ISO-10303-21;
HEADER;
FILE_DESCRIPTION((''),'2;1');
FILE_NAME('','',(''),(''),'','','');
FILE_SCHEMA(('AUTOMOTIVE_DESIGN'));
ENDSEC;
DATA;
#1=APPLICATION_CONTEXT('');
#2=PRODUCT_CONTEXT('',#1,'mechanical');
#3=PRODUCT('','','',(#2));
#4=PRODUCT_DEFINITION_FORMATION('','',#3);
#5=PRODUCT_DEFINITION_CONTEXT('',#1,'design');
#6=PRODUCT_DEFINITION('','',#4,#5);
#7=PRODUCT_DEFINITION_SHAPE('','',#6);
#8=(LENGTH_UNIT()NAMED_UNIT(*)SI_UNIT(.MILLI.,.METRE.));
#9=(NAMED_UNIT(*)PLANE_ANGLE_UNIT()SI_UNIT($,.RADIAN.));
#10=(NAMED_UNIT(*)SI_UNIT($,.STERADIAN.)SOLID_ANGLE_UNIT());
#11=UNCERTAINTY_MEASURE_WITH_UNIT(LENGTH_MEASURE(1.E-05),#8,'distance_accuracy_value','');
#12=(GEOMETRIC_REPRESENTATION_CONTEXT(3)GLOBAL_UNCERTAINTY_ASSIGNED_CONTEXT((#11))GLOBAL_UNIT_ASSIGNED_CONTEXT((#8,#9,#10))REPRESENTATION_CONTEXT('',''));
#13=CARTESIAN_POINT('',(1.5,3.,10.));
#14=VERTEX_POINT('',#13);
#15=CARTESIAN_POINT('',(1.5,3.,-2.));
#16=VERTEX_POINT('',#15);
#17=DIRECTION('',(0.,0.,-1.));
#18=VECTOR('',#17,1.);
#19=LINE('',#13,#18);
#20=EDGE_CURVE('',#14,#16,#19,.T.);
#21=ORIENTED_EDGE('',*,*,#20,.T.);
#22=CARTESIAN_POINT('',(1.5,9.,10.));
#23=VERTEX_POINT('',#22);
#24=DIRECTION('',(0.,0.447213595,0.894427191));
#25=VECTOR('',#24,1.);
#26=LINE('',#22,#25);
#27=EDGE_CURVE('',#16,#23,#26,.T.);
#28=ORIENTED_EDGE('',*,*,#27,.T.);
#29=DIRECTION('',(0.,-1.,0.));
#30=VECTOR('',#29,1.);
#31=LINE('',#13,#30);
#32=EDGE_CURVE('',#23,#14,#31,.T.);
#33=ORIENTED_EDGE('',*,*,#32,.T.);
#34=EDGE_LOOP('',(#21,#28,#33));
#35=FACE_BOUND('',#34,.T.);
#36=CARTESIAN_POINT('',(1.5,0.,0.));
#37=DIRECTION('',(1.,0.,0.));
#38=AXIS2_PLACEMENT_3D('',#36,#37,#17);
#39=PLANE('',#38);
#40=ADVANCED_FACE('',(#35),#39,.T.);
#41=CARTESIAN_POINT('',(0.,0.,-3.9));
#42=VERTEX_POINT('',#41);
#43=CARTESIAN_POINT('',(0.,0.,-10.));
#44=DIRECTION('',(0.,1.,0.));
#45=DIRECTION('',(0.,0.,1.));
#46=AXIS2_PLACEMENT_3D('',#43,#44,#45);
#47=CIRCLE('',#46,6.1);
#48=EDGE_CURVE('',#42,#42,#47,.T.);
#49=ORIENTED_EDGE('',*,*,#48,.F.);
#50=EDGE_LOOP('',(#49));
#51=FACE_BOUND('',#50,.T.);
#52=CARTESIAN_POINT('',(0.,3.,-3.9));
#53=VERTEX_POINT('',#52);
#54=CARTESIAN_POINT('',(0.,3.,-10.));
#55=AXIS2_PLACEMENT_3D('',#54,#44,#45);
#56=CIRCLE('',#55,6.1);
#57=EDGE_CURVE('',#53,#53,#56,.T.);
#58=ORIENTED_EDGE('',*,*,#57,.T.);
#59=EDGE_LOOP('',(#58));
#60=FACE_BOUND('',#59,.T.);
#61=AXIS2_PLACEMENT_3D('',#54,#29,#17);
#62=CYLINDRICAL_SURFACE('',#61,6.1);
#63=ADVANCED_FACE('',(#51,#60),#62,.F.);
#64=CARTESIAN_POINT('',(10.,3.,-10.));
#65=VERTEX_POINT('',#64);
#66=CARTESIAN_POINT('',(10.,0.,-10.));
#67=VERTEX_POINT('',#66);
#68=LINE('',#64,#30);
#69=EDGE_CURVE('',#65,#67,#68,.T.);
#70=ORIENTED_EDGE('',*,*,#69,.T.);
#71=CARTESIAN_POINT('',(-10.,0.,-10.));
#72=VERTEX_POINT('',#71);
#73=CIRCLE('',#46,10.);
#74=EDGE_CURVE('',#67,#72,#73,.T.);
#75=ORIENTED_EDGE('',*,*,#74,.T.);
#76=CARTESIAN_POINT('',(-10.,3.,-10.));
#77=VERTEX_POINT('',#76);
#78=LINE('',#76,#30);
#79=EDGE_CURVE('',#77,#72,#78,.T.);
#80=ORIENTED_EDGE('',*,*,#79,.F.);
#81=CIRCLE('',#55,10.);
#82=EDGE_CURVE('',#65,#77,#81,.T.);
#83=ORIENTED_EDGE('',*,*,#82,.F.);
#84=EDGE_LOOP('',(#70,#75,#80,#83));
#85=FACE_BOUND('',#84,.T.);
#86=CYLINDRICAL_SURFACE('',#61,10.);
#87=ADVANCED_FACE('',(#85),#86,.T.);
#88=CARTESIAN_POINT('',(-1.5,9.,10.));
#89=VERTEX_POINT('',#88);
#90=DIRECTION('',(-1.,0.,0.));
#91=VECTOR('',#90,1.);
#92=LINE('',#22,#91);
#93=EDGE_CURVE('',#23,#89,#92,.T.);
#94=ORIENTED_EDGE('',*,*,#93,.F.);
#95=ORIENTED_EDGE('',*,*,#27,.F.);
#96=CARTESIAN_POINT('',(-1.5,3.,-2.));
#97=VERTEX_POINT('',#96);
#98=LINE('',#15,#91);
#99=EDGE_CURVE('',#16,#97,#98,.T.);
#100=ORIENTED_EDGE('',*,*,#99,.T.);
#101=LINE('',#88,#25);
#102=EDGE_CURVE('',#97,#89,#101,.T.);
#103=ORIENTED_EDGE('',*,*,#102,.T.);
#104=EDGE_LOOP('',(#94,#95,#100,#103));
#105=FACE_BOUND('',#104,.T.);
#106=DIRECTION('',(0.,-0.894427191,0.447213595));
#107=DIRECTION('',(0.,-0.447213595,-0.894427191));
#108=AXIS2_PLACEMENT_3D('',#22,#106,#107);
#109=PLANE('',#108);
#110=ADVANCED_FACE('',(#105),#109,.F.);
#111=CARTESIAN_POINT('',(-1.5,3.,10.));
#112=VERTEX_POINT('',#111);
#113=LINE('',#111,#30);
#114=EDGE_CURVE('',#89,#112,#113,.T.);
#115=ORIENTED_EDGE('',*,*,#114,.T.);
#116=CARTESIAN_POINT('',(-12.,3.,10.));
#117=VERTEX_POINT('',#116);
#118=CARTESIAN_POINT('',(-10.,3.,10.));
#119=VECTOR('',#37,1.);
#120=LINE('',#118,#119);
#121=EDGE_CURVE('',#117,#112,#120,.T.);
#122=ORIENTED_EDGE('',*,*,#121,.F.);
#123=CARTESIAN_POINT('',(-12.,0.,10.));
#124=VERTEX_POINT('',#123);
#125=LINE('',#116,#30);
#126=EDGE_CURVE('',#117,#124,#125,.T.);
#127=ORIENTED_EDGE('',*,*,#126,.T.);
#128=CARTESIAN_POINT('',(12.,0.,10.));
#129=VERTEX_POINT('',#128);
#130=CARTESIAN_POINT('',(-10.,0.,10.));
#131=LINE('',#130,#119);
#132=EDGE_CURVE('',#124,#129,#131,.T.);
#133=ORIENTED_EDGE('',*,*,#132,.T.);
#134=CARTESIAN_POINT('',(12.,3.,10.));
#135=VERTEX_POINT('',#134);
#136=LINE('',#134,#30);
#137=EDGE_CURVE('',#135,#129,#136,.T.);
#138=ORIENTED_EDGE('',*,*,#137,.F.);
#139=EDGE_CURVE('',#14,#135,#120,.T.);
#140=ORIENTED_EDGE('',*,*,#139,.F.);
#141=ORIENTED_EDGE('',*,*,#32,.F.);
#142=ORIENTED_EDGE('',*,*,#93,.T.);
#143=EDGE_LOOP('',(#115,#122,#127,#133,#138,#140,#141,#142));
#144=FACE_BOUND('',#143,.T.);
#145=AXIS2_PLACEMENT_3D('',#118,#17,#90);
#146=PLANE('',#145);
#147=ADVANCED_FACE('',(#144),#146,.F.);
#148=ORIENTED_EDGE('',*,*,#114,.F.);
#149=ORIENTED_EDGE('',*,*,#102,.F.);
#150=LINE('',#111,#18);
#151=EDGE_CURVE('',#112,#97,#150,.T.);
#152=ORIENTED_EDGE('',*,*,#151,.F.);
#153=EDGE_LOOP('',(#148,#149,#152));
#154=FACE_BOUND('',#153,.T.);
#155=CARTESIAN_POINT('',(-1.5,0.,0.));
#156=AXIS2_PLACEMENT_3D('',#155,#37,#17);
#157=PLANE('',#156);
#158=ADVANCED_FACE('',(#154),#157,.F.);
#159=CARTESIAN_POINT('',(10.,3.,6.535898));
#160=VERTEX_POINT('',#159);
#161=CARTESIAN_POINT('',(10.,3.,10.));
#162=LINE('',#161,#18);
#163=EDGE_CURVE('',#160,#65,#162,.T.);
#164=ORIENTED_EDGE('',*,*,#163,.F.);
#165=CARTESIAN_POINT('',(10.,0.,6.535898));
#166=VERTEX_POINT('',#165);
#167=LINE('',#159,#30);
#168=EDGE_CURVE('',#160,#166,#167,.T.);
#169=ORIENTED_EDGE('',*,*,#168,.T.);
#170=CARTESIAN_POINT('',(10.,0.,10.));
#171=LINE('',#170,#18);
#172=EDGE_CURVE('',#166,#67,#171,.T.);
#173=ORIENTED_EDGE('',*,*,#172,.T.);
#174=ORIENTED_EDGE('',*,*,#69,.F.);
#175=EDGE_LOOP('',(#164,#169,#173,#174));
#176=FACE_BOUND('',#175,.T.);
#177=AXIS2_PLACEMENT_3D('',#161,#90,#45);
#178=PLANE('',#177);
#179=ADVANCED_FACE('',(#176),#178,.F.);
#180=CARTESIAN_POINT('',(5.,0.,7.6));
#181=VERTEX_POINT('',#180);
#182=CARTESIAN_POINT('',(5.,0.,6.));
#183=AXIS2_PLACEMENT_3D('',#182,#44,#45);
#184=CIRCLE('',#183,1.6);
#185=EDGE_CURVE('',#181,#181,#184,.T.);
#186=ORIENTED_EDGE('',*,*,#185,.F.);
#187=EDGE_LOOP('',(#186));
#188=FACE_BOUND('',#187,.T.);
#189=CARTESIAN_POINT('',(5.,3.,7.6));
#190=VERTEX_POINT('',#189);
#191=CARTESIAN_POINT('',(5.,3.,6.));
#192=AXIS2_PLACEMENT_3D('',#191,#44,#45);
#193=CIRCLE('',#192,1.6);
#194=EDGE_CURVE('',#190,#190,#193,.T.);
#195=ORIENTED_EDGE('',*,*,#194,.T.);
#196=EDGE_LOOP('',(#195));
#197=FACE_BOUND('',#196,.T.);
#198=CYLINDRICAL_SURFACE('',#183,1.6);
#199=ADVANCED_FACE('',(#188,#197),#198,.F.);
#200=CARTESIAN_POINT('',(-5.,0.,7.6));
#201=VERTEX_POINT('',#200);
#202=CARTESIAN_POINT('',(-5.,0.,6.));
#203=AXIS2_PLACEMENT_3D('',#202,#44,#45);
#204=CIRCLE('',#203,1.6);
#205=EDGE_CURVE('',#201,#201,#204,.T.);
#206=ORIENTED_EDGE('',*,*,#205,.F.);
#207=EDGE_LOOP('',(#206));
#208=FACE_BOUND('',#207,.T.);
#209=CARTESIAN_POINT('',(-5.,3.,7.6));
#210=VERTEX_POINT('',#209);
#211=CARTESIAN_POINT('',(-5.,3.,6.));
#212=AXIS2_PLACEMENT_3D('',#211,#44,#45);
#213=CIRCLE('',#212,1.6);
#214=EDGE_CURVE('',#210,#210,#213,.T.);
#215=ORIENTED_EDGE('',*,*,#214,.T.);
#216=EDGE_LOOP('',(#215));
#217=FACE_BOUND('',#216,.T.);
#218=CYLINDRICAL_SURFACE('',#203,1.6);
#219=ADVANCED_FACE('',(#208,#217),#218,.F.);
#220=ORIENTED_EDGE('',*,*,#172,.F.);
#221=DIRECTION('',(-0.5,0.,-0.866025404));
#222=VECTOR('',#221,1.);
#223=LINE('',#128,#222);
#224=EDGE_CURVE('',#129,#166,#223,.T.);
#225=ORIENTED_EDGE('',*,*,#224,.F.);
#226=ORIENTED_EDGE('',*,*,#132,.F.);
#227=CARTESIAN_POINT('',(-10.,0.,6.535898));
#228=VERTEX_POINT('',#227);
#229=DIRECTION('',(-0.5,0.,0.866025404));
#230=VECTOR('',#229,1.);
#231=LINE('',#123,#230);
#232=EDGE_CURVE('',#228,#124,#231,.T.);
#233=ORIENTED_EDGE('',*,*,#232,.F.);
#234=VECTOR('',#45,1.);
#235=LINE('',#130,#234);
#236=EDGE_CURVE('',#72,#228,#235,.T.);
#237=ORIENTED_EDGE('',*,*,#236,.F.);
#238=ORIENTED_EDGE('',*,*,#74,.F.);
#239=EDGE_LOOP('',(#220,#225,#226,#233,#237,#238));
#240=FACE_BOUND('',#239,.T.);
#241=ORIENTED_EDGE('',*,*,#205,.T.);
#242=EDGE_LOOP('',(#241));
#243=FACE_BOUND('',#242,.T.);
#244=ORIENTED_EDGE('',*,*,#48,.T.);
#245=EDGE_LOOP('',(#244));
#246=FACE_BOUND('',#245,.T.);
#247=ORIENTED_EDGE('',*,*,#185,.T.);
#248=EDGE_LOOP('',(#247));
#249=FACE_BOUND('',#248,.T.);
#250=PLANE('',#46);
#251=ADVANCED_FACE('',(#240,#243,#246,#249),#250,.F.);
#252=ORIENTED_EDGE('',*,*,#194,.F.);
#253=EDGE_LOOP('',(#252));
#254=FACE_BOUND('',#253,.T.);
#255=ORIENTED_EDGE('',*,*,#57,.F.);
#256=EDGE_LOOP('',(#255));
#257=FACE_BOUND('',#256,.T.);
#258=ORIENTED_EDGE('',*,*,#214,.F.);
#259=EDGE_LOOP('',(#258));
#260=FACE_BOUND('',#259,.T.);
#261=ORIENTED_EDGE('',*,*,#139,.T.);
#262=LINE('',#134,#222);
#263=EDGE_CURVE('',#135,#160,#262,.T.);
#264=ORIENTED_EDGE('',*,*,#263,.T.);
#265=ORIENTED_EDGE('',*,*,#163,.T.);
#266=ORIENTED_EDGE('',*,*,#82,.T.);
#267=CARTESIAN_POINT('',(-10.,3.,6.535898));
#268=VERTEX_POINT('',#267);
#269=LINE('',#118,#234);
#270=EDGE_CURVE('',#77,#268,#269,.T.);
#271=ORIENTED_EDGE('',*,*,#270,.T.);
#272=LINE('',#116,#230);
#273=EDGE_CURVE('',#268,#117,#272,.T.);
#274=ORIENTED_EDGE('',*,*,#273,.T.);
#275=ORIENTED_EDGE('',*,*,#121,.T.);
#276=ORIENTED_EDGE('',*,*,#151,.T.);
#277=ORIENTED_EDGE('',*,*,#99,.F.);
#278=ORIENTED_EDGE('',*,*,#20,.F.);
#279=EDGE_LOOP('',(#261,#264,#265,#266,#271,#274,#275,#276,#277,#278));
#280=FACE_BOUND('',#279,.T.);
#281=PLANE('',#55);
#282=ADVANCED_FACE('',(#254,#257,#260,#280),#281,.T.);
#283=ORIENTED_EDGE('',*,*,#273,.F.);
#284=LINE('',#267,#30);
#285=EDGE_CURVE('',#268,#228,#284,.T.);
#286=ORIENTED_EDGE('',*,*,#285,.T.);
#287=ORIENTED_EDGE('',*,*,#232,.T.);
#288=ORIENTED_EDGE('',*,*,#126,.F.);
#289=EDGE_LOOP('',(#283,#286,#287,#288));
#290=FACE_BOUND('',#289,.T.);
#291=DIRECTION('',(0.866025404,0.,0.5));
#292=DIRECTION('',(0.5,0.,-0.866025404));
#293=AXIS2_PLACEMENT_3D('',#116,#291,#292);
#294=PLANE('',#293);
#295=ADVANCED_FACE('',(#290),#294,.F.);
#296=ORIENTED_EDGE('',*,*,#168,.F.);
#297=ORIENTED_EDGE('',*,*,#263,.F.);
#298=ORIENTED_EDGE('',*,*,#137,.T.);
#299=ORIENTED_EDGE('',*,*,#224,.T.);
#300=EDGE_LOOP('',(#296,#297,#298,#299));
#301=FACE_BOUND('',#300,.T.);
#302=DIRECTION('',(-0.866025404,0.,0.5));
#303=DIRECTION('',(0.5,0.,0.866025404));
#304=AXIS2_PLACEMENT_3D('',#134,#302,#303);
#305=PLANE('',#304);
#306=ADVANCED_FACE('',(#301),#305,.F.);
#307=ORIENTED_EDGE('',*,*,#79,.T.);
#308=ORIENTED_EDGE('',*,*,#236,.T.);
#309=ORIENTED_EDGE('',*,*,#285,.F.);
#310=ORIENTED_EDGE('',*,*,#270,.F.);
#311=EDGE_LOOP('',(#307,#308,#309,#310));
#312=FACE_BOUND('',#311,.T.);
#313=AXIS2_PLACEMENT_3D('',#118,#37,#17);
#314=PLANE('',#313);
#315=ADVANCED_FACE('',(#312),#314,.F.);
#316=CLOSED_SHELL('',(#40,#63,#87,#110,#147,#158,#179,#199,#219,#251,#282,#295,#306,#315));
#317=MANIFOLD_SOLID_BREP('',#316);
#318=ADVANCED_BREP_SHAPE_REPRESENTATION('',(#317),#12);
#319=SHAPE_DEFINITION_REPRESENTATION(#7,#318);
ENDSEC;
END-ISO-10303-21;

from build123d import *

# Parameters (mm, degrees)
SKETCH1_R           = 6.1
BOSS_EXTRUDE1_DEPTH = 3
SKETCH2_R           = 1.6
CUT_EXTRUDE1_DEPTH  = 4
BOSS_EXTRUDE2_DEPTH = 1.5
BOSS_EXTRUDE3_DEPTH = 3


with BuildPart() as part:
    # Sketch1 → Boss-Extrude1 (new body)
    with BuildSketch(Plane(origin=(0, 0, 0), x_dir=(1, 0, 0), z_dir=(0, 1, 0))):
        with BuildLine():
            Line((-10, -10), (10, -10))
            Line((10, -10), (10, 10))
            ThreePointArc((10, 10), (0, 20), (-10, 10))
            Line((-10, 10), (-10, -10))
        make_face()
        with Locations((0, 10)):
            Circle(SKETCH1_R, mode=Mode.SUBTRACT)
    extrude(amount=BOSS_EXTRUDE1_DEPTH)

    # Sketch2 → Cut-Extrude1 (cut, through all)
    with BuildSketch(Plane(origin=(0, 3, 0), x_dir=(1, 0, 0), z_dir=(0, 1, 0))):
        with Locations((-5, -6)):
            Circle(SKETCH2_R)
        with Locations((5, -6)):
            Circle(SKETCH2_R)
    extrude(amount=-CUT_EXTRUDE1_DEPTH, mode=Mode.SUBTRACT)

    # Sketch4 → Boss-Extrude2 (add, symmetric)
    with BuildSketch(Plane(origin=(0, 0, 0), x_dir=(0, 0, -1), z_dir=(1, 0, 0))):
        Polygon((-10, 3), (-10, 9), (2, 3), align=None)
    extrude(amount=BOSS_EXTRUDE2_DEPTH, both=True)

    # Sketch5 → Boss-Extrude3 (add)
    with BuildSketch(Plane(origin=(0, 0, 0), x_dir=(1, 0, 0), z_dir=(0, 1, 0))):
        Polygon((-10, -10), (-12, -10), (-10, -6.535898385), align=None)
        Polygon((10, -10), (12, -10), (10, -6.535898385), align=None)
    extrude(amount=BOSS_EXTRUDE3_DEPTH)


solid = part.part
